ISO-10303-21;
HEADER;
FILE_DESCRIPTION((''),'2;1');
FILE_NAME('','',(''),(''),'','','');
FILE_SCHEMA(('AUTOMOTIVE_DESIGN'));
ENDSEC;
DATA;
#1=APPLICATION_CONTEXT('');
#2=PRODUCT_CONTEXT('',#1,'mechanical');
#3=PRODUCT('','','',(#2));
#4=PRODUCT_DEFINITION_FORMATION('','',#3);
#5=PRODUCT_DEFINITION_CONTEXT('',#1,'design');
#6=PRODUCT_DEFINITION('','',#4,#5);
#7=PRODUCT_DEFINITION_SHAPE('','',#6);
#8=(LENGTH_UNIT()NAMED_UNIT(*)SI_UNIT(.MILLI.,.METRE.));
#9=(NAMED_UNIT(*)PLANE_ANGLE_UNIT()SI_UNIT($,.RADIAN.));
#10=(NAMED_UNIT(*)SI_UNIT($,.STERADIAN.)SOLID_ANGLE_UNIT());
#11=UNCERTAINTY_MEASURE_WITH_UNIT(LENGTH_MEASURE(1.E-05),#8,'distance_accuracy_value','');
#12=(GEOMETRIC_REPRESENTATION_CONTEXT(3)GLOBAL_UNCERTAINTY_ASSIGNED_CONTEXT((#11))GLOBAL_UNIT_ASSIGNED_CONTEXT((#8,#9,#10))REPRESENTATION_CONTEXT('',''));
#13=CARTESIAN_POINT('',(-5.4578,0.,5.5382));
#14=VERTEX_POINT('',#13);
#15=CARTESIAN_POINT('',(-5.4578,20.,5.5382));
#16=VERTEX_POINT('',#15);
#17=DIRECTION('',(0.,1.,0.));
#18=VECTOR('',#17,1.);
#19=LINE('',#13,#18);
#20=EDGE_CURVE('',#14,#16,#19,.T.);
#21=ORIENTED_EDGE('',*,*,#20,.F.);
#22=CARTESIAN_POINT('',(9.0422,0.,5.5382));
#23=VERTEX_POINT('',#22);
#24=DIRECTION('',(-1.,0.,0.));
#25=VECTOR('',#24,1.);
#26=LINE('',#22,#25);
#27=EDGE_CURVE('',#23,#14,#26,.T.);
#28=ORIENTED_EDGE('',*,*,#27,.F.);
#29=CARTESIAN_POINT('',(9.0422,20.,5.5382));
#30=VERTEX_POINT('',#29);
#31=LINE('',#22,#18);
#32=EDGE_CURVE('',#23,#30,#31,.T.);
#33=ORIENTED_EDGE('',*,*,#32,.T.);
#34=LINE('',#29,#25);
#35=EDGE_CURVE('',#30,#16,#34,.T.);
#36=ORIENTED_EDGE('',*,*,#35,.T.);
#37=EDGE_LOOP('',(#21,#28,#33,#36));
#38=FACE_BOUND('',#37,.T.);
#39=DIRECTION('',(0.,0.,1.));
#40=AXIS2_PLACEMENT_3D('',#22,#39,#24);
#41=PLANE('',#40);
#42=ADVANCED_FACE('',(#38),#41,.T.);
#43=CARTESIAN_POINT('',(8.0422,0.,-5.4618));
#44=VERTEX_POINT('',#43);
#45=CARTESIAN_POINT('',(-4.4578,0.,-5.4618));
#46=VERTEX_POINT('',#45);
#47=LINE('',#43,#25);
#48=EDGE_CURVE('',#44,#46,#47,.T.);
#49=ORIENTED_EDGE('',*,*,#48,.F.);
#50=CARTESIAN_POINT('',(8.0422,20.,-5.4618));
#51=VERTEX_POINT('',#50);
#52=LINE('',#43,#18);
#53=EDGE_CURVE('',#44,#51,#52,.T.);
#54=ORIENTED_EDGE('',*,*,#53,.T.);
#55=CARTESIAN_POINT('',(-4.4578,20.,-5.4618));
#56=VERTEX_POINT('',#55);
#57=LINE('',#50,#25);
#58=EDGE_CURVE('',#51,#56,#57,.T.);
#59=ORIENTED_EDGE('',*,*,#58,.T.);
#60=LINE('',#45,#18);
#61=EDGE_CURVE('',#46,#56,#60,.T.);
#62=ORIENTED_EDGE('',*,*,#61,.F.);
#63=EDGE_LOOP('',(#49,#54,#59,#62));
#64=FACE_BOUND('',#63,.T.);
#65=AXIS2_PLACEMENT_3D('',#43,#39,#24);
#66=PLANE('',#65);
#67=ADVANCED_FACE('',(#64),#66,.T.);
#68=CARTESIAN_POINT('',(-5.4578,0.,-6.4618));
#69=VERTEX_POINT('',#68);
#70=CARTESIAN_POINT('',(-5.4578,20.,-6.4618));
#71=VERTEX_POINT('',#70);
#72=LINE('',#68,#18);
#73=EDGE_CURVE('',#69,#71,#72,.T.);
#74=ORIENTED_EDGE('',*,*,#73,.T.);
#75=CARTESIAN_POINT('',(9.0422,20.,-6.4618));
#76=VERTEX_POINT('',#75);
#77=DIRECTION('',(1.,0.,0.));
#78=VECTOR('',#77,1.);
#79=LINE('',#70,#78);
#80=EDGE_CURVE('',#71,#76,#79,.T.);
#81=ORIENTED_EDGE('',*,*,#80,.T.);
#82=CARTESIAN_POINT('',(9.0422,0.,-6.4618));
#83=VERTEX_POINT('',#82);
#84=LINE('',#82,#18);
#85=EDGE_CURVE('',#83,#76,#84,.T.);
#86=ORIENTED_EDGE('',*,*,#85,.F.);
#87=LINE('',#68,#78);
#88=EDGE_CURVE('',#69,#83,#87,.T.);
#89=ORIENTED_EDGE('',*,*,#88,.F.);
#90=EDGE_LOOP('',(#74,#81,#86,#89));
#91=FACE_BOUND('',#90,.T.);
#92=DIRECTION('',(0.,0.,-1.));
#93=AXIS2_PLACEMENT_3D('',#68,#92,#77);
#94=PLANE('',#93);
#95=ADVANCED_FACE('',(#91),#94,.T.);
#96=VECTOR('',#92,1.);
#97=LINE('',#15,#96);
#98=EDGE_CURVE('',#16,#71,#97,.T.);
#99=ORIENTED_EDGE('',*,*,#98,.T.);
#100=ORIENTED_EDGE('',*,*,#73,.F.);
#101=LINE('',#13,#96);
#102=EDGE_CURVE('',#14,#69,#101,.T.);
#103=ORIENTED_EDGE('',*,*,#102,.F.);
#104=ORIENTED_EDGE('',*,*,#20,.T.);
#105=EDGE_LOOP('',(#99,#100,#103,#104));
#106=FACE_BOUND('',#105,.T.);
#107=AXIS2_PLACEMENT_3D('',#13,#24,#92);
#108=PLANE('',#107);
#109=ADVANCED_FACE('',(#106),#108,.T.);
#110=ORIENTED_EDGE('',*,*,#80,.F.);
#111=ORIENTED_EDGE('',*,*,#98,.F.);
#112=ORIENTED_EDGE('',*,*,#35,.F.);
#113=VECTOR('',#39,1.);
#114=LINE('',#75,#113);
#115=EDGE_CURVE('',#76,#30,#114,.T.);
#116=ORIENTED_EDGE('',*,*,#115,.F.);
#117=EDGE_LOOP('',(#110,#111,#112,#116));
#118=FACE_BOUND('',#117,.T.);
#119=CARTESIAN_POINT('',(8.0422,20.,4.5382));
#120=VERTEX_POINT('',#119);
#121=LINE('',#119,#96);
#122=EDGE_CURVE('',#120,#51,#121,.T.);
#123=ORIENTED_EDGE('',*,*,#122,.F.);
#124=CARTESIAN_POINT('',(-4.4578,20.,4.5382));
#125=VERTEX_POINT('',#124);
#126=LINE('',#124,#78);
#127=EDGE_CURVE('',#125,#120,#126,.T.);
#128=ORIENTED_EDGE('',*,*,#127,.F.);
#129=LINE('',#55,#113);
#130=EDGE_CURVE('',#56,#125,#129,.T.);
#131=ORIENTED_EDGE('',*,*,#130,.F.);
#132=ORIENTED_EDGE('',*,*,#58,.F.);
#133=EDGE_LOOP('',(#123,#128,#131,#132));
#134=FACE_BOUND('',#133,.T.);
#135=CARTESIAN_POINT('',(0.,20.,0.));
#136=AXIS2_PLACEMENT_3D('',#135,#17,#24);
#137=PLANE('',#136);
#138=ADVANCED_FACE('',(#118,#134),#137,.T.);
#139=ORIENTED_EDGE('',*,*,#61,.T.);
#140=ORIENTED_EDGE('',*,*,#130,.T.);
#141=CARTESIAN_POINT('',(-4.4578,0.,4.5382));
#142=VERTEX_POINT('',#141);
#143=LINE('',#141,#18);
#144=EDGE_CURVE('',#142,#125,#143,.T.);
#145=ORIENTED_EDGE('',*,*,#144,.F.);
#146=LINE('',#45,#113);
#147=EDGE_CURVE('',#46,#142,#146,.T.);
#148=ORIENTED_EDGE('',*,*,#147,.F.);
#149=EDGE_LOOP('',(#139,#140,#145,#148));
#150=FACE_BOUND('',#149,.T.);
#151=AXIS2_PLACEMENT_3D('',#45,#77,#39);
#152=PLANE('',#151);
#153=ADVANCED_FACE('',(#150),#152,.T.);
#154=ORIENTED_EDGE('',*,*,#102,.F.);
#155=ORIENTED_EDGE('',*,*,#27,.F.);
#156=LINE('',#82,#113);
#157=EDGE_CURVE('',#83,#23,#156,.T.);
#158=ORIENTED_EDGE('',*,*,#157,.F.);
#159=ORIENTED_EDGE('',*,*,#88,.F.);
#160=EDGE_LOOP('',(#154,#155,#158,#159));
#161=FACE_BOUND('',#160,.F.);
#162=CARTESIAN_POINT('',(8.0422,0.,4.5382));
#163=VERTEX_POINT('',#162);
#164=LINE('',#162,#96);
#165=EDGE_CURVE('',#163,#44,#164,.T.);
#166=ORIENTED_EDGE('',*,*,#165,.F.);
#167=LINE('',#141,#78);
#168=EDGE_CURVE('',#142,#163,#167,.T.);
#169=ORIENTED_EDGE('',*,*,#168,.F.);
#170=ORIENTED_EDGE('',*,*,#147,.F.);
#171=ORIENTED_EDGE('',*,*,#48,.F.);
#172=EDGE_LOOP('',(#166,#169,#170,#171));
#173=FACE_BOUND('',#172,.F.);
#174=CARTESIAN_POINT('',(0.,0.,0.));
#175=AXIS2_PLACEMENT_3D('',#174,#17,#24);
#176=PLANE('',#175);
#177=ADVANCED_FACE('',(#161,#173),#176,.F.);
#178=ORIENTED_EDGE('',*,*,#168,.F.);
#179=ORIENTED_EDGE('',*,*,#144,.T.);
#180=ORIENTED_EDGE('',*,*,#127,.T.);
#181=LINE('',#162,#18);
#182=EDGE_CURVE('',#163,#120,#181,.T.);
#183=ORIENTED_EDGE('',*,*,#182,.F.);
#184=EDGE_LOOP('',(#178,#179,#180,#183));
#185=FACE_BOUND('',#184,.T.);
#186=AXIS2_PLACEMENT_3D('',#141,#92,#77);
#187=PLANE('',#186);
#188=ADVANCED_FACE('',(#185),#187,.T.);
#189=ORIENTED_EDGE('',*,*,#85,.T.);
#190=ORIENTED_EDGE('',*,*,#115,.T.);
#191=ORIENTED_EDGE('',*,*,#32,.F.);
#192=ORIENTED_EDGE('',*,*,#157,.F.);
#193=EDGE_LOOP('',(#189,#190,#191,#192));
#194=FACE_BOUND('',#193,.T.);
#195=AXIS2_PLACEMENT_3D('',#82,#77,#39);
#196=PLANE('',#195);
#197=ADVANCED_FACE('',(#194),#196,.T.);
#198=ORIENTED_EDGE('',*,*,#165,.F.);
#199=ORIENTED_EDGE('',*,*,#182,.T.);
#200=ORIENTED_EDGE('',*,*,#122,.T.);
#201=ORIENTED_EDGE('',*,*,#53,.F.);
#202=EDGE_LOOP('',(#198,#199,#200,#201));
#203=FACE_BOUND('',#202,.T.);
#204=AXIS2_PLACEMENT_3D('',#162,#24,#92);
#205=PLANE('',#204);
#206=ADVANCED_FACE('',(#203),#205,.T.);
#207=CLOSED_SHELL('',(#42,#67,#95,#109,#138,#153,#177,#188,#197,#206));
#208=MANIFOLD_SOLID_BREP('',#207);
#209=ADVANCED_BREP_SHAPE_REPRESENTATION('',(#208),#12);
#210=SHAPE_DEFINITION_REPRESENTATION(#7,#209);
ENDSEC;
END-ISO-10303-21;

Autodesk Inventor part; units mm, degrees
ref_plane "YZ Plane" through (0, 0, 0) normal (1, 0, 0) x (0, 1, 0)
ref_plane "XZ Plane" through (0, 0, 0) normal (0, 1, 0) x (-1, 0, 0)
ref_plane "XY Plane" through (0, 0, 0) normal (0, 0, 1) x (1, 0, 0)
sketch "草圖1" plane through (0, 0, 0) normal (0, 1, 0) x (-1, 0, 0)
  line L0 (4.4578, 4.5382) -> (-8.0422, 4.5382)
  line L1 (-8.0422, 4.5382) -> (-8.0422, -5.4618)
  line L2 (-8.0422, -5.4618) -> (4.4578, -5.4618)
  line L3 (4.4578, -5.4618) -> (4.4578, 4.5382)
  line L4 (5.4578, -6.4618) -> (-9.0422, -6.4618)
  line L5 (-9.0422, -6.4618) -> (-9.0422, 5.5382)
  line L6 (-9.0422, 5.5382) -> (5.4578, 5.5382)
  line L7 (5.4578, 5.5382) -> (5.4578, -6.4618)
  point P0 (0, 0)
  dimension "d0" = 10
  dimension "d1" = 12.5
  dimension "d2" = 1
extrude "擠出1" add sketch "草圖1" along normal blind 20
properties part number "axis_rf_fix"
